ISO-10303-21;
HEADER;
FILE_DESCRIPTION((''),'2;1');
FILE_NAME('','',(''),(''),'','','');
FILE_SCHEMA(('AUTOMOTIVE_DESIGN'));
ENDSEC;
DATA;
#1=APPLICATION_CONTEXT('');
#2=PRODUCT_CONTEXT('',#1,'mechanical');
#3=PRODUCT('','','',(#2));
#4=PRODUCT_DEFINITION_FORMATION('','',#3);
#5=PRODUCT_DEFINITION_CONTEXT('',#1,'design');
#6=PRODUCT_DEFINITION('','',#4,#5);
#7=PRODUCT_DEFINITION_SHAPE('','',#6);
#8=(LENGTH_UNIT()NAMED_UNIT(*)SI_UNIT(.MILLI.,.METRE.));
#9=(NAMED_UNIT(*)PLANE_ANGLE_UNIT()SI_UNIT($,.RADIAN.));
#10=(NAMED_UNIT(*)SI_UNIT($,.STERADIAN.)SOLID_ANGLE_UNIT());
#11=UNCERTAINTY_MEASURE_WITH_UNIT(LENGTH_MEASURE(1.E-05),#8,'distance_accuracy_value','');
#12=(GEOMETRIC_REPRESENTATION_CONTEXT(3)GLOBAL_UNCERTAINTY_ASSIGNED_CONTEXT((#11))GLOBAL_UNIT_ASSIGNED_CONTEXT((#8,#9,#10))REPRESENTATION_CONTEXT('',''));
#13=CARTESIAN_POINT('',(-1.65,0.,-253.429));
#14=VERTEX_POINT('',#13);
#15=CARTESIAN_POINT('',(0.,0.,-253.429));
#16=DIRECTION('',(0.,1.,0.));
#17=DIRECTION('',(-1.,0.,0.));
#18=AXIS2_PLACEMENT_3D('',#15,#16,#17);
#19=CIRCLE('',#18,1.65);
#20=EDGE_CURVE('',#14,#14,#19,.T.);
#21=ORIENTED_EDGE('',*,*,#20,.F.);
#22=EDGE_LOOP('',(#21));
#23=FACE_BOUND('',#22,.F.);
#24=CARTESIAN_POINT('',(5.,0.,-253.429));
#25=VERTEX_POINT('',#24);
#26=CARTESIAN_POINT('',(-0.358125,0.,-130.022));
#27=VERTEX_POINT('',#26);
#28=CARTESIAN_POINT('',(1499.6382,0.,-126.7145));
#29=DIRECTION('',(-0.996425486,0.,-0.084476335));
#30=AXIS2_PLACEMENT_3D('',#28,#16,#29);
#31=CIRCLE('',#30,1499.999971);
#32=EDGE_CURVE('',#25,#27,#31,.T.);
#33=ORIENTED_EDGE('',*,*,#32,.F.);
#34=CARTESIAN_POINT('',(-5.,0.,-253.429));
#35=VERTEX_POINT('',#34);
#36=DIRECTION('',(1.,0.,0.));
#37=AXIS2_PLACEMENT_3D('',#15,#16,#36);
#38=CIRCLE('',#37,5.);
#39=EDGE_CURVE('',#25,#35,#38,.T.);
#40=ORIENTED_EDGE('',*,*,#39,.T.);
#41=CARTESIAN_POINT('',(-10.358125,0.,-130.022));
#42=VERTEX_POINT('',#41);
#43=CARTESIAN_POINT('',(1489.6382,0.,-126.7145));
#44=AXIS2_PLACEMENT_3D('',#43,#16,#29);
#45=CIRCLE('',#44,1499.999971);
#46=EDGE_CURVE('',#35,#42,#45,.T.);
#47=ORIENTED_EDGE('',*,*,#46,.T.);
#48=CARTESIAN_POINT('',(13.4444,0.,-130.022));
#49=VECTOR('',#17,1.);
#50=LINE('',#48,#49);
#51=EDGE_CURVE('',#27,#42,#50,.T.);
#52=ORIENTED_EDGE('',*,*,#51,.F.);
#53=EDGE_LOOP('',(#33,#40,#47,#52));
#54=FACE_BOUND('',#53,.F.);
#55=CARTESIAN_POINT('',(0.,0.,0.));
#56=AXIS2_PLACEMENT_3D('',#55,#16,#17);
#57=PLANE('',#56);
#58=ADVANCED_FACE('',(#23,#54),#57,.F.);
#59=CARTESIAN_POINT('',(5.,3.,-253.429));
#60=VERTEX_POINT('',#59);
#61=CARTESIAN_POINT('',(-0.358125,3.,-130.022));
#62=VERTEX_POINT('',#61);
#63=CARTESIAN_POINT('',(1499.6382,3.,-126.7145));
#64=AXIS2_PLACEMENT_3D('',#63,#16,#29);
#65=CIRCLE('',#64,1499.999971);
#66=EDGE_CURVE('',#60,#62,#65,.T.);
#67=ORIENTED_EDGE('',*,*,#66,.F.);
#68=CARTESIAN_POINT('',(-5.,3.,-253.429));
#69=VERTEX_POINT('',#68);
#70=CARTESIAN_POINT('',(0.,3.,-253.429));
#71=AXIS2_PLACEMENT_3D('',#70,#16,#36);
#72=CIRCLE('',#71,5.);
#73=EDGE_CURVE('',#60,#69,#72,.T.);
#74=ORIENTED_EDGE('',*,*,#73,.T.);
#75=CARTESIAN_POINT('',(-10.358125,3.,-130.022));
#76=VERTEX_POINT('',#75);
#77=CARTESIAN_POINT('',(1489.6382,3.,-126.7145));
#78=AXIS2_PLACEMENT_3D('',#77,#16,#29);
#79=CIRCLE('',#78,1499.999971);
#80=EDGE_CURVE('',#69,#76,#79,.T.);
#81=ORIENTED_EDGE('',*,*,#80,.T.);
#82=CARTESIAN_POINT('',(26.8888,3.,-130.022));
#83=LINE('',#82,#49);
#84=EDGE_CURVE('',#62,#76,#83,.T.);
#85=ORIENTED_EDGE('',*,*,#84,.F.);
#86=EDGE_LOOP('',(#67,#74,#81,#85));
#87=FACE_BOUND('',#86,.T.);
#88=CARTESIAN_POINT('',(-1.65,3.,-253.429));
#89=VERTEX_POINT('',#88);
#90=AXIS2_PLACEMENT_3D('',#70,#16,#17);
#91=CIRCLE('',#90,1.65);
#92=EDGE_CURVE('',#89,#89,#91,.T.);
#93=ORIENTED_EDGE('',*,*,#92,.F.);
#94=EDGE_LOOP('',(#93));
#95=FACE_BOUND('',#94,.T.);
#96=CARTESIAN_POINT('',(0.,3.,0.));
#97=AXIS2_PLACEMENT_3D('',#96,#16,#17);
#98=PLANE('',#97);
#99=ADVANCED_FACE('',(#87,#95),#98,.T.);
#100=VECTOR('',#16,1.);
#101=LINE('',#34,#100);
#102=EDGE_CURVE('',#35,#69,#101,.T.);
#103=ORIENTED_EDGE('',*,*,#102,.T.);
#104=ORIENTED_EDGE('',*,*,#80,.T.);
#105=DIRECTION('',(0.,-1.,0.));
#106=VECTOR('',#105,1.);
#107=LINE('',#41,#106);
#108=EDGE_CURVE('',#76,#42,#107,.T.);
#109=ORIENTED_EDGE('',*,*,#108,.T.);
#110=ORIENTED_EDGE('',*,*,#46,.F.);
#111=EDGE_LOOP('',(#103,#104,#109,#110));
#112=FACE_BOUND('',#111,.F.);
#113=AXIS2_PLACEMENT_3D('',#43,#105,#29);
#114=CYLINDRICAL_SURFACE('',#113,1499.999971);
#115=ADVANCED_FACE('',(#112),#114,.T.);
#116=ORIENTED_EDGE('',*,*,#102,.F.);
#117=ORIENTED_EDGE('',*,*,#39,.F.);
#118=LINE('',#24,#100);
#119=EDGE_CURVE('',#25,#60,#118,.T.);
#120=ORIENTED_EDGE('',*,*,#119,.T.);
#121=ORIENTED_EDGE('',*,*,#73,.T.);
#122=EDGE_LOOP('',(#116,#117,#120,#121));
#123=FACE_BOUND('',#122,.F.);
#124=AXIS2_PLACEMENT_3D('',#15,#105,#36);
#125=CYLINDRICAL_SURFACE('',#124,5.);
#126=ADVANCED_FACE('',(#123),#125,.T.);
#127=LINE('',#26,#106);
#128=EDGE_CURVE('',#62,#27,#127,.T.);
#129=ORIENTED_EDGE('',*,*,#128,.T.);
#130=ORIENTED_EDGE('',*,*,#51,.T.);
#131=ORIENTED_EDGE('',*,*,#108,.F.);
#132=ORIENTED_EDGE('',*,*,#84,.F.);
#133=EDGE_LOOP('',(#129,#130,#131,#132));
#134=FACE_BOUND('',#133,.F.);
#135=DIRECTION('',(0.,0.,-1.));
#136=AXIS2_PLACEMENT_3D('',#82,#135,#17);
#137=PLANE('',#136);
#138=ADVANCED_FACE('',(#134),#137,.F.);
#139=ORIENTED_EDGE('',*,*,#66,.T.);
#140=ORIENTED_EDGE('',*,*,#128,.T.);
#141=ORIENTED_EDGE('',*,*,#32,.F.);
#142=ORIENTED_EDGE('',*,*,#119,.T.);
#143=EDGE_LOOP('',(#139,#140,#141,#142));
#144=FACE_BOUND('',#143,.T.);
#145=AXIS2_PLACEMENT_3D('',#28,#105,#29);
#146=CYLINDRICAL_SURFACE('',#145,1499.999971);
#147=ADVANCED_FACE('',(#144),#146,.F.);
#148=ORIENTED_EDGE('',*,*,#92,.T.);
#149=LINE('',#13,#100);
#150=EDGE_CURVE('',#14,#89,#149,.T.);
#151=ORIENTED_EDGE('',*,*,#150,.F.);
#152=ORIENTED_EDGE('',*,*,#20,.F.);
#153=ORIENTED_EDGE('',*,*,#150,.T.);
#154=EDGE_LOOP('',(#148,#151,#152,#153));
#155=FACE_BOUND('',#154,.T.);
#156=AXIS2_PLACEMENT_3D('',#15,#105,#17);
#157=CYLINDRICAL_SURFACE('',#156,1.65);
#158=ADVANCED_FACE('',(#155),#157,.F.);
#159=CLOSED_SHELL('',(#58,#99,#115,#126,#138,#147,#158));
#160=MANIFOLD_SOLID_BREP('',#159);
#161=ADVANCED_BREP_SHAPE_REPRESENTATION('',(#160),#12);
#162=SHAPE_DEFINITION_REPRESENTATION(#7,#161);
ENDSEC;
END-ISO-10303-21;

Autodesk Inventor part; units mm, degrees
ref_plane "YZ Plane" through (0, 0, 0) normal (1, 0, 0) x (0, 1, 0)
ref_plane "XZ Plane" through (0, 0, 0) normal (0, 1, 0) x (-1, 0, 0)
ref_plane "XY Plane" through (0, 0, 0) normal (0, 0, 1) x (1, 0, 0)
sketch "Sketch1" plane through (0, 0, 0) normal (0, 1, 0) x (-1, 0, 0)
  line L0 (0, 0) -> (0, -253.429) construction
  line L1 (5, 0) -> (5, -253.429)
  line L2 (-5, -253.429) -> (-5, 0)
  arc A0 (5, 0) -> (-5, 0) centre (0, 0) ccw
  arc A1 (-5, -253.429) -> (5, -253.429) centre (0, -253.429) ccw
  circle A2 centre (0, 0) radius 1.65
  circle A3 centre (0, -253.429) radius 1.65
  arc A4 (5, -253.429) -> (5, 0) centre (-1489.6382, -126.7145) ccw
  arc A5 (-5, -253.429) -> (-5, 0) centre (-1499.6382, -126.7145) ccw
  point P0 (0, -126.7145)
  dimension "d0" = 3.3
  dimension "d1" = 3.3
  dimension "d2" = 10
  dimension "d3" = 253.429
  dimension "d16" = 1500
  dimension "d17" = 1500
extrude "Extrusion1" add sketch "Sketch1" along normal blind 3 contours A4 L1 | L1 A1 A5 A0
sketch "Sketch2" plane through (0, 3, 0) normal (0, 1, 0) x (1, 0, 0)
  line L0 (-27.9396, 271.9091) -> (26.8888, 271.9091)
  line L1 (26.8888, 271.9091) -> (26.8888, 130.022)
  line L2 (26.8888, 130.022) -> (-27.9396, 130.022)
  line L3 (-27.9396, 130.022) -> (-27.9396, 271.9091)
  line L4 (-79.0634, 296.7301) -> (75.0489, 296.7301)
  line L5 (75.0489, 296.7301) -> (75.0489, -47.4295)
  line L6 (75.0489, -47.4295) -> (-79.0634, -47.4295)
  line L7 (-79.0634, -47.4295) -> (-79.0634, 296.7301)
  point P0 (0, 0)
extrude "Extrusion2" cut sketch "Sketch2" against normal blind 10
properties part number "Part_8_p2"
